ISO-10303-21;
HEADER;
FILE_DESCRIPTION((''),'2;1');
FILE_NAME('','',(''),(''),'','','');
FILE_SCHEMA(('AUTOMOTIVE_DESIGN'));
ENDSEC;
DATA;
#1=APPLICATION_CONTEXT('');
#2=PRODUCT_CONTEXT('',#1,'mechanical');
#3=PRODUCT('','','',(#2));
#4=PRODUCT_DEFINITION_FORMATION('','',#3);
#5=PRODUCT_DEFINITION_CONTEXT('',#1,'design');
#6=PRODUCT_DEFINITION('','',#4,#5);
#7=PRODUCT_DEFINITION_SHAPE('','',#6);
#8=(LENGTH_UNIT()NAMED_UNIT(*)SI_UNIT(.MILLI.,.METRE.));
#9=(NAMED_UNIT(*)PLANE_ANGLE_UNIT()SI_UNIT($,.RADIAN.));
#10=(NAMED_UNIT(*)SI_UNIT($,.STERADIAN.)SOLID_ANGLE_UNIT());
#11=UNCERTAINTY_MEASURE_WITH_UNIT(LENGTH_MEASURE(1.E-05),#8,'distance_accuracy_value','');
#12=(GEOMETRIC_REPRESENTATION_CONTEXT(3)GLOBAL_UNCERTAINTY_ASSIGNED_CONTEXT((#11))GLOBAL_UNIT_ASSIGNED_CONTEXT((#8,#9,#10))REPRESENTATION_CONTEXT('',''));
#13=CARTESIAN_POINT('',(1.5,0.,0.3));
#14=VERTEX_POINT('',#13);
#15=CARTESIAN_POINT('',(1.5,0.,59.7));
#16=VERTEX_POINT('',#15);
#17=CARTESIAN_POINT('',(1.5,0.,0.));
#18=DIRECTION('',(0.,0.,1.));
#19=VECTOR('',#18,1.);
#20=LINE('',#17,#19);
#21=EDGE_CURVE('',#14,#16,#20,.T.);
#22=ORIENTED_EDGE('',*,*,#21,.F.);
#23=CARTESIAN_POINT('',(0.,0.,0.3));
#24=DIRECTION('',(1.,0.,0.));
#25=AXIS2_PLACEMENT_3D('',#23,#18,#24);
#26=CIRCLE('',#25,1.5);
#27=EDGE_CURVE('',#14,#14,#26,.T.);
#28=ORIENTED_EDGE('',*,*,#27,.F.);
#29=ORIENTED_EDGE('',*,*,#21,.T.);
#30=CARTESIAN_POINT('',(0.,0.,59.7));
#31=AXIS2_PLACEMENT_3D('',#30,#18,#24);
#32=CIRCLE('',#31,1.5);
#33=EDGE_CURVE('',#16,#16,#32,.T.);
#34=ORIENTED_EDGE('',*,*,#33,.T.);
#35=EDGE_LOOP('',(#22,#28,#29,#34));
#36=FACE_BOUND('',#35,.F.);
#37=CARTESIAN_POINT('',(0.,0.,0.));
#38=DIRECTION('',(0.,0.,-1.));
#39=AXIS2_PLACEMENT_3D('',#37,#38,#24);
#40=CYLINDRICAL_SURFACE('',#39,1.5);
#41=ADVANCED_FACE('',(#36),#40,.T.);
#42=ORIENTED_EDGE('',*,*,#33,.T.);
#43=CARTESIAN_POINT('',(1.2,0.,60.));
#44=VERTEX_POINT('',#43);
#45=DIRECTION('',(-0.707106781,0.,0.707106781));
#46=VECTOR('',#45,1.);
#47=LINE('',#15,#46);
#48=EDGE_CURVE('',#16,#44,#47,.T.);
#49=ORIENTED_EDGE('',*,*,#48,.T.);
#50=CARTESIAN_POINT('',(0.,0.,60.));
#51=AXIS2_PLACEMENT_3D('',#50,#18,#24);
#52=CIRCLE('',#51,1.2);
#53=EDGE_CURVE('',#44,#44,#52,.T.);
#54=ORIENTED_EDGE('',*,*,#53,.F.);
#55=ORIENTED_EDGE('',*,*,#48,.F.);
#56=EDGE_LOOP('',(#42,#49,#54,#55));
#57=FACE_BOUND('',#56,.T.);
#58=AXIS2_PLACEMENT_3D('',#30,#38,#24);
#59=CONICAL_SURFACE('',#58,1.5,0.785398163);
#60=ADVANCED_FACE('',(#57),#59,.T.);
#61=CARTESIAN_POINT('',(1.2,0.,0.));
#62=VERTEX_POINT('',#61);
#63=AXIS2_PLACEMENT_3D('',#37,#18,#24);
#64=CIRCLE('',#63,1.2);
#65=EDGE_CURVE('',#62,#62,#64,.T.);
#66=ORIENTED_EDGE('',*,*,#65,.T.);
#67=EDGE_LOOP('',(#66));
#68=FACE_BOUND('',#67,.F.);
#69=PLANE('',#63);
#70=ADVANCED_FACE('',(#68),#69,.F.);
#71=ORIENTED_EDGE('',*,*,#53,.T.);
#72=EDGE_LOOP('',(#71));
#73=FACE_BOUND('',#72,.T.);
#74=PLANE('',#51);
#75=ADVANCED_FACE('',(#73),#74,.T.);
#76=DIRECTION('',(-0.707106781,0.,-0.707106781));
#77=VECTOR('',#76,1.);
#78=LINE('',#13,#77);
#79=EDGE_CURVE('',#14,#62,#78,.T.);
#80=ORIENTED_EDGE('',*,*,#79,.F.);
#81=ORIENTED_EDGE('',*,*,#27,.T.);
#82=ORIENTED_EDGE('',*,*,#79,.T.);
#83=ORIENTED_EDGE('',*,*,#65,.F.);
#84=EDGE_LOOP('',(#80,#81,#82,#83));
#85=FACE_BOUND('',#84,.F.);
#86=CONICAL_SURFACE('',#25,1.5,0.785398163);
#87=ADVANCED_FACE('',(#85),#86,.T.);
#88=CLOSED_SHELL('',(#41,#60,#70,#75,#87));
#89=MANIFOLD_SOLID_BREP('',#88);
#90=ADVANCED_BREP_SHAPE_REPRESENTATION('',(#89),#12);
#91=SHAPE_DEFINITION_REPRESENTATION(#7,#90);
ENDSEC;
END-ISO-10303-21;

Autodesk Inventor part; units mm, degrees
ref_plane "YZ Plane" through (0, 0, 0) normal (1, 0, 0) x (0, 1, 0)
ref_plane "XZ Plane" through (0, 0, 0) normal (0, 1, 0) x (-1, 0, 0)
ref_plane "XY Plane" through (0, 0, 0) normal (0, 0, 1) x (1, 0, 0)
sketch "Sketch1" plane through (0, 0, 0) normal (0, 0, 1) x (1, 0, 0)
  circle A0 centre (0, 0) radius 1.5
  dimension "d0" = 3
extrude "Extrusion1" add sketch "Sketch1" along normal blind 60
chamfer "Chamfer1" distance 0.3 angle 45 2 edges at (-1.5, 0, 60) (-1.5, 0, 0)
thread "Thread1" size "M3x0.5" class "6g" standard "ANSI Metric M Profile" full length
properties part number "m3-60-pin" material "Stainless Steel"
